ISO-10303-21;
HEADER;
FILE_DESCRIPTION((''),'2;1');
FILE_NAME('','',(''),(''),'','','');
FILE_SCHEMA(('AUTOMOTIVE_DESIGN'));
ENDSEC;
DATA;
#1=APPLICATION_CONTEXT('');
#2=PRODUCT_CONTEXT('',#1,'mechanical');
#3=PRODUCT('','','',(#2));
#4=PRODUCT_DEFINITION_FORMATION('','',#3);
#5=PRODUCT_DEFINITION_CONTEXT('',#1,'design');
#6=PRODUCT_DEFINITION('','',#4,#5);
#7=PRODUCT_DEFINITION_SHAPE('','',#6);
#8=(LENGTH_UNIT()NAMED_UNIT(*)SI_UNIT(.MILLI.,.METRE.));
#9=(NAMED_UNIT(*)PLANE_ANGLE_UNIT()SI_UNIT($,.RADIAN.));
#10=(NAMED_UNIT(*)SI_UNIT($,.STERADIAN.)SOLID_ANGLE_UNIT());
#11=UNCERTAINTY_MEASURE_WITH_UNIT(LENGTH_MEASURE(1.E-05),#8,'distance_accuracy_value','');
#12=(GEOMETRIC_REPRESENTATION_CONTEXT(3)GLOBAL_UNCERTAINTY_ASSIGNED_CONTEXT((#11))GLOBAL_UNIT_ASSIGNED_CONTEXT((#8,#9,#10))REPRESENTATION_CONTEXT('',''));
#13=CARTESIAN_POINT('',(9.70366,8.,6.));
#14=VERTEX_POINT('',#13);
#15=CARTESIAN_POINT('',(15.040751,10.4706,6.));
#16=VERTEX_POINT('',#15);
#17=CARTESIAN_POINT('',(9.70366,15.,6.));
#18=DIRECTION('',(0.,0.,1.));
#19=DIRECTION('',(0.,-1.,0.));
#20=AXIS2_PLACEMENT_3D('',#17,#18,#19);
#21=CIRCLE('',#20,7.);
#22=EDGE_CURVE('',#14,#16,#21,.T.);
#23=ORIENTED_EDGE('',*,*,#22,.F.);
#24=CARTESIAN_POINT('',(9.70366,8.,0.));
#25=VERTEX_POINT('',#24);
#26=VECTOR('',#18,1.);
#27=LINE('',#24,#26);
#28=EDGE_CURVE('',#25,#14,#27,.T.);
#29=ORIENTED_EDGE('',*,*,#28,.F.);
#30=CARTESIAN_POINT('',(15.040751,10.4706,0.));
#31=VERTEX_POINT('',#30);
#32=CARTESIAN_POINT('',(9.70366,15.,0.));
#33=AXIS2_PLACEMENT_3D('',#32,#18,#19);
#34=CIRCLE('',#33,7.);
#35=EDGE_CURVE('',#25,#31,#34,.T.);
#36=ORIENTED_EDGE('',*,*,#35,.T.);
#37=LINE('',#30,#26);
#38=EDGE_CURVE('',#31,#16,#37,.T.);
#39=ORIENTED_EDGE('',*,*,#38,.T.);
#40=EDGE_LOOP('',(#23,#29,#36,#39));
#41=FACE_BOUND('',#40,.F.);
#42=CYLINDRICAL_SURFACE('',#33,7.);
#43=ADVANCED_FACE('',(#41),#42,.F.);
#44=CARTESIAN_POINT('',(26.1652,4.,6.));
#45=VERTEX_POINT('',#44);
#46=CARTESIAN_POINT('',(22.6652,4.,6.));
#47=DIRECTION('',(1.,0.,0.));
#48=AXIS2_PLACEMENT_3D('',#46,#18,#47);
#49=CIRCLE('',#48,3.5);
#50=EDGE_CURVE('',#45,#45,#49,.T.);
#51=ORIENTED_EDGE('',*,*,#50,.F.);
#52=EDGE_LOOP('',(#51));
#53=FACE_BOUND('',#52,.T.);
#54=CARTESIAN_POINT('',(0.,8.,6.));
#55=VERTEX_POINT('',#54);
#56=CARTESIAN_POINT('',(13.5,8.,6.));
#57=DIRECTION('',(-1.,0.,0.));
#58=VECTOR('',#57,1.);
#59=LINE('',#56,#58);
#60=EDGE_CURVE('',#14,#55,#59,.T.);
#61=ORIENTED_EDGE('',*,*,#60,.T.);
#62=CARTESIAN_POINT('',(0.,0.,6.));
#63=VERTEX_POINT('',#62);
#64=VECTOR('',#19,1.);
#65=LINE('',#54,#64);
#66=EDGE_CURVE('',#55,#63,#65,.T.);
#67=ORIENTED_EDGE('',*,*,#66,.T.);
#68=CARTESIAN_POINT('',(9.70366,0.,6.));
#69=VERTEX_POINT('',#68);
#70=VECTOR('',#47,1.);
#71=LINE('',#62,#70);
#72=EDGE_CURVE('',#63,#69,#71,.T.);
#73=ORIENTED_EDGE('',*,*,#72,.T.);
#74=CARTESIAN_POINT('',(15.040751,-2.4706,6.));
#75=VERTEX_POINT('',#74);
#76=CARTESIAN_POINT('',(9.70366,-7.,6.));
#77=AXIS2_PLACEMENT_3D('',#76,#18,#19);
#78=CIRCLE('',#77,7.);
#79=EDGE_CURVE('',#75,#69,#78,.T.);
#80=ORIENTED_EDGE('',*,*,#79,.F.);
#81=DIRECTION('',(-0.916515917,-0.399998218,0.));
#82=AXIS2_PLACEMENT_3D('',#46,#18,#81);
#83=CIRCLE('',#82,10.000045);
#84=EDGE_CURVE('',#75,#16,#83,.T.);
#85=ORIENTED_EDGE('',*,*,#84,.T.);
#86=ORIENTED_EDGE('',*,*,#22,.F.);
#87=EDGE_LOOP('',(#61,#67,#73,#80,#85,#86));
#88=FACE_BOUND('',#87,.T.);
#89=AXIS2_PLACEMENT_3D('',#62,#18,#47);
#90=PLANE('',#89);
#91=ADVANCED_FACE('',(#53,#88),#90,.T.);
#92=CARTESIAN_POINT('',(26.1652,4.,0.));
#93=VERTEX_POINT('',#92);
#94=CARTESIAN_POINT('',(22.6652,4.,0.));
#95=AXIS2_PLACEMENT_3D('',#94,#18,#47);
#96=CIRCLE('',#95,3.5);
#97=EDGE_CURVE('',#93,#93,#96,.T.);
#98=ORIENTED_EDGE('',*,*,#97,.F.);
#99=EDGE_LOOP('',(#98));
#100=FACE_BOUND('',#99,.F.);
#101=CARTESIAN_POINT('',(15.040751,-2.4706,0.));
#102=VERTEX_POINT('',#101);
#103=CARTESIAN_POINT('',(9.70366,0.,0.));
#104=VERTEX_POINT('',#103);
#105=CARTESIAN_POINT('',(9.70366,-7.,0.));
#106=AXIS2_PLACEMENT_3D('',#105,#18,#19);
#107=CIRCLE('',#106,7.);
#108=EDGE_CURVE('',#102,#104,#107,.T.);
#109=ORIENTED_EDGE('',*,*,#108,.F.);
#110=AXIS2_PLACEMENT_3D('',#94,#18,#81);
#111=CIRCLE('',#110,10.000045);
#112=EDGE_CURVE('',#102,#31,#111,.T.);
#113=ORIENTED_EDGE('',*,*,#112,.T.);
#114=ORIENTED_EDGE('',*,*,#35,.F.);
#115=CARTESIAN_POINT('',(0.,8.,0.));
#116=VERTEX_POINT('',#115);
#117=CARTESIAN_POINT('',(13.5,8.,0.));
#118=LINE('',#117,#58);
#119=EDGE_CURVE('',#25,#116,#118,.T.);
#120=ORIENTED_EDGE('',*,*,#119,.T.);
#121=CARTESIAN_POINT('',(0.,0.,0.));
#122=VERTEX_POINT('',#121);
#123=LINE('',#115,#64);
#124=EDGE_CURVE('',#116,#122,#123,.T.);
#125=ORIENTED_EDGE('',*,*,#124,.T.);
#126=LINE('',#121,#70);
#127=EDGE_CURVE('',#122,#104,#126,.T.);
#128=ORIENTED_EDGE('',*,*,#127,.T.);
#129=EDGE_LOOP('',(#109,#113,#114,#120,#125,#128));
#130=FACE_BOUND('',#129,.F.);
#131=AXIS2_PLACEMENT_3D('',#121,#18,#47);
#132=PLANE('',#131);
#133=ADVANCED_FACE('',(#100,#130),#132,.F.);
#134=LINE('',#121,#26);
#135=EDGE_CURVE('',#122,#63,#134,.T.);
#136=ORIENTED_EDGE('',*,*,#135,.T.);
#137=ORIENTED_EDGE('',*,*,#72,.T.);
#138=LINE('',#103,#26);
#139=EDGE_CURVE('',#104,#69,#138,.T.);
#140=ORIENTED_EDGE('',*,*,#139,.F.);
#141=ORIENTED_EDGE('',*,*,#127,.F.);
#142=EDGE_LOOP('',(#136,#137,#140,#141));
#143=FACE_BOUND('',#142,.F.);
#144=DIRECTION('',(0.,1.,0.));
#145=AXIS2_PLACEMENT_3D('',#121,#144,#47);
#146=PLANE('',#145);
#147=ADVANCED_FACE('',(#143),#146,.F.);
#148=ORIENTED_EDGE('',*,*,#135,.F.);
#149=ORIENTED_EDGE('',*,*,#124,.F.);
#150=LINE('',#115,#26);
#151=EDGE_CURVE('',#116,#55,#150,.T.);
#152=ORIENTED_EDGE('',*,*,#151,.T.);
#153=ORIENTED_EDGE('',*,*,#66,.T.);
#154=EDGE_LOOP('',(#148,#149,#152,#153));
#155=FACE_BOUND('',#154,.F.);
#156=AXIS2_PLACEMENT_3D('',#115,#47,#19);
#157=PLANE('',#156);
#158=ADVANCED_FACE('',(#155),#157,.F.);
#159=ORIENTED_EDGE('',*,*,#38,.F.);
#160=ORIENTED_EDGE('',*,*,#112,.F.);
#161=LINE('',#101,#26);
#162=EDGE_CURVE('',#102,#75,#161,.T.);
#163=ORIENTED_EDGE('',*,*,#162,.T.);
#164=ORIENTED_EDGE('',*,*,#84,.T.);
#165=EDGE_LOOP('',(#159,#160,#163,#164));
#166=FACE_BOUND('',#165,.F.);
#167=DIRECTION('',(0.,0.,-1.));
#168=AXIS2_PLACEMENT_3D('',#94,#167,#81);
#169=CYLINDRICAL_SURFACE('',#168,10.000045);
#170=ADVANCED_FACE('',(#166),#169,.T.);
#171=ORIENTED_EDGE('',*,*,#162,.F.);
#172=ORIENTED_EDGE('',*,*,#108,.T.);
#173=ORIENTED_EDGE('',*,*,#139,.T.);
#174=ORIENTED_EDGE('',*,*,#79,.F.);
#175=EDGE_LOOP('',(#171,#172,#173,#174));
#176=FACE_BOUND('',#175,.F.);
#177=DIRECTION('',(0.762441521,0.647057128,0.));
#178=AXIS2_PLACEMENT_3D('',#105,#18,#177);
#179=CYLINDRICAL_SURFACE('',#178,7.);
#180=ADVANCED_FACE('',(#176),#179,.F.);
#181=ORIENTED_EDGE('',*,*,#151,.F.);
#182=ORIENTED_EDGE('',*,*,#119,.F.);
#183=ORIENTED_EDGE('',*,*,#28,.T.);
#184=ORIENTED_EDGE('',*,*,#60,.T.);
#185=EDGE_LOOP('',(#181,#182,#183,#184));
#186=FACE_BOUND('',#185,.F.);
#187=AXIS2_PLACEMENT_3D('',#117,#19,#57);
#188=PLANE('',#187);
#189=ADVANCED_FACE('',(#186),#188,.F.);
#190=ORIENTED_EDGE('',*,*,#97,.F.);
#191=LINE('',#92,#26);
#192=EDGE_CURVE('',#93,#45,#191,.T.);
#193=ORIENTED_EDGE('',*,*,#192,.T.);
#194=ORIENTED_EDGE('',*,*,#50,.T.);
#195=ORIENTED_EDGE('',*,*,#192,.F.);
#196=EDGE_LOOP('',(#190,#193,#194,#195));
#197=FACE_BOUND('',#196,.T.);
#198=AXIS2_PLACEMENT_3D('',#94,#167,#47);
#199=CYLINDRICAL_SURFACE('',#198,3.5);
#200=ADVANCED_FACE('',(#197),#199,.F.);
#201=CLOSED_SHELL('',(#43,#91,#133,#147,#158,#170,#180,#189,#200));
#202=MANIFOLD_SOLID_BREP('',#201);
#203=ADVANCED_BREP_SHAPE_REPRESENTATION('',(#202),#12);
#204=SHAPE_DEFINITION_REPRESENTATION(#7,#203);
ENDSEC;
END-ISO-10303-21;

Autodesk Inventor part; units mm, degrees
ref_plane "YZ Plane" through (0, 0, 0) normal (1, 0, 0) x (0, 1, 0)
ref_plane "XZ Plane" through (0, 0, 0) normal (0, 1, 0) x (-1, 0, 0)
ref_plane "XY Plane" through (0, 0, 0) normal (0, 0, 1) x (1, 0, 0)
sketch "Sketch1" plane through (0, 0, 0) normal (0, 0, 1) x (1, 0, 0)
  line L0 (0, 0) -> (13.5, 0)
  line L1 (13.5, 8) -> (0, 8)
  line L2 (0, 8) -> (0, 0)
  arc A0 (13.5, 0) -> (13.5, 8) centre (22.6652, 4) ccw
  circle A1 centre (22.6652, 4) radius 3.5
  dimension "d0" = 8
  dimension "d2" = 10
  dimension "d5" = 7
  dimension "d10" = 4
  dimension "d12" = 13.5
extrude "Extrusion1" add sketch "Sketch1" along normal blind 6
fillet "Fillet1" radius 7 2 edges at (13.5, 8, 3) (13.5, 0, 3)
equation "\"d10\" = 0.5 * d0"
properties part number "Anillo riel"
